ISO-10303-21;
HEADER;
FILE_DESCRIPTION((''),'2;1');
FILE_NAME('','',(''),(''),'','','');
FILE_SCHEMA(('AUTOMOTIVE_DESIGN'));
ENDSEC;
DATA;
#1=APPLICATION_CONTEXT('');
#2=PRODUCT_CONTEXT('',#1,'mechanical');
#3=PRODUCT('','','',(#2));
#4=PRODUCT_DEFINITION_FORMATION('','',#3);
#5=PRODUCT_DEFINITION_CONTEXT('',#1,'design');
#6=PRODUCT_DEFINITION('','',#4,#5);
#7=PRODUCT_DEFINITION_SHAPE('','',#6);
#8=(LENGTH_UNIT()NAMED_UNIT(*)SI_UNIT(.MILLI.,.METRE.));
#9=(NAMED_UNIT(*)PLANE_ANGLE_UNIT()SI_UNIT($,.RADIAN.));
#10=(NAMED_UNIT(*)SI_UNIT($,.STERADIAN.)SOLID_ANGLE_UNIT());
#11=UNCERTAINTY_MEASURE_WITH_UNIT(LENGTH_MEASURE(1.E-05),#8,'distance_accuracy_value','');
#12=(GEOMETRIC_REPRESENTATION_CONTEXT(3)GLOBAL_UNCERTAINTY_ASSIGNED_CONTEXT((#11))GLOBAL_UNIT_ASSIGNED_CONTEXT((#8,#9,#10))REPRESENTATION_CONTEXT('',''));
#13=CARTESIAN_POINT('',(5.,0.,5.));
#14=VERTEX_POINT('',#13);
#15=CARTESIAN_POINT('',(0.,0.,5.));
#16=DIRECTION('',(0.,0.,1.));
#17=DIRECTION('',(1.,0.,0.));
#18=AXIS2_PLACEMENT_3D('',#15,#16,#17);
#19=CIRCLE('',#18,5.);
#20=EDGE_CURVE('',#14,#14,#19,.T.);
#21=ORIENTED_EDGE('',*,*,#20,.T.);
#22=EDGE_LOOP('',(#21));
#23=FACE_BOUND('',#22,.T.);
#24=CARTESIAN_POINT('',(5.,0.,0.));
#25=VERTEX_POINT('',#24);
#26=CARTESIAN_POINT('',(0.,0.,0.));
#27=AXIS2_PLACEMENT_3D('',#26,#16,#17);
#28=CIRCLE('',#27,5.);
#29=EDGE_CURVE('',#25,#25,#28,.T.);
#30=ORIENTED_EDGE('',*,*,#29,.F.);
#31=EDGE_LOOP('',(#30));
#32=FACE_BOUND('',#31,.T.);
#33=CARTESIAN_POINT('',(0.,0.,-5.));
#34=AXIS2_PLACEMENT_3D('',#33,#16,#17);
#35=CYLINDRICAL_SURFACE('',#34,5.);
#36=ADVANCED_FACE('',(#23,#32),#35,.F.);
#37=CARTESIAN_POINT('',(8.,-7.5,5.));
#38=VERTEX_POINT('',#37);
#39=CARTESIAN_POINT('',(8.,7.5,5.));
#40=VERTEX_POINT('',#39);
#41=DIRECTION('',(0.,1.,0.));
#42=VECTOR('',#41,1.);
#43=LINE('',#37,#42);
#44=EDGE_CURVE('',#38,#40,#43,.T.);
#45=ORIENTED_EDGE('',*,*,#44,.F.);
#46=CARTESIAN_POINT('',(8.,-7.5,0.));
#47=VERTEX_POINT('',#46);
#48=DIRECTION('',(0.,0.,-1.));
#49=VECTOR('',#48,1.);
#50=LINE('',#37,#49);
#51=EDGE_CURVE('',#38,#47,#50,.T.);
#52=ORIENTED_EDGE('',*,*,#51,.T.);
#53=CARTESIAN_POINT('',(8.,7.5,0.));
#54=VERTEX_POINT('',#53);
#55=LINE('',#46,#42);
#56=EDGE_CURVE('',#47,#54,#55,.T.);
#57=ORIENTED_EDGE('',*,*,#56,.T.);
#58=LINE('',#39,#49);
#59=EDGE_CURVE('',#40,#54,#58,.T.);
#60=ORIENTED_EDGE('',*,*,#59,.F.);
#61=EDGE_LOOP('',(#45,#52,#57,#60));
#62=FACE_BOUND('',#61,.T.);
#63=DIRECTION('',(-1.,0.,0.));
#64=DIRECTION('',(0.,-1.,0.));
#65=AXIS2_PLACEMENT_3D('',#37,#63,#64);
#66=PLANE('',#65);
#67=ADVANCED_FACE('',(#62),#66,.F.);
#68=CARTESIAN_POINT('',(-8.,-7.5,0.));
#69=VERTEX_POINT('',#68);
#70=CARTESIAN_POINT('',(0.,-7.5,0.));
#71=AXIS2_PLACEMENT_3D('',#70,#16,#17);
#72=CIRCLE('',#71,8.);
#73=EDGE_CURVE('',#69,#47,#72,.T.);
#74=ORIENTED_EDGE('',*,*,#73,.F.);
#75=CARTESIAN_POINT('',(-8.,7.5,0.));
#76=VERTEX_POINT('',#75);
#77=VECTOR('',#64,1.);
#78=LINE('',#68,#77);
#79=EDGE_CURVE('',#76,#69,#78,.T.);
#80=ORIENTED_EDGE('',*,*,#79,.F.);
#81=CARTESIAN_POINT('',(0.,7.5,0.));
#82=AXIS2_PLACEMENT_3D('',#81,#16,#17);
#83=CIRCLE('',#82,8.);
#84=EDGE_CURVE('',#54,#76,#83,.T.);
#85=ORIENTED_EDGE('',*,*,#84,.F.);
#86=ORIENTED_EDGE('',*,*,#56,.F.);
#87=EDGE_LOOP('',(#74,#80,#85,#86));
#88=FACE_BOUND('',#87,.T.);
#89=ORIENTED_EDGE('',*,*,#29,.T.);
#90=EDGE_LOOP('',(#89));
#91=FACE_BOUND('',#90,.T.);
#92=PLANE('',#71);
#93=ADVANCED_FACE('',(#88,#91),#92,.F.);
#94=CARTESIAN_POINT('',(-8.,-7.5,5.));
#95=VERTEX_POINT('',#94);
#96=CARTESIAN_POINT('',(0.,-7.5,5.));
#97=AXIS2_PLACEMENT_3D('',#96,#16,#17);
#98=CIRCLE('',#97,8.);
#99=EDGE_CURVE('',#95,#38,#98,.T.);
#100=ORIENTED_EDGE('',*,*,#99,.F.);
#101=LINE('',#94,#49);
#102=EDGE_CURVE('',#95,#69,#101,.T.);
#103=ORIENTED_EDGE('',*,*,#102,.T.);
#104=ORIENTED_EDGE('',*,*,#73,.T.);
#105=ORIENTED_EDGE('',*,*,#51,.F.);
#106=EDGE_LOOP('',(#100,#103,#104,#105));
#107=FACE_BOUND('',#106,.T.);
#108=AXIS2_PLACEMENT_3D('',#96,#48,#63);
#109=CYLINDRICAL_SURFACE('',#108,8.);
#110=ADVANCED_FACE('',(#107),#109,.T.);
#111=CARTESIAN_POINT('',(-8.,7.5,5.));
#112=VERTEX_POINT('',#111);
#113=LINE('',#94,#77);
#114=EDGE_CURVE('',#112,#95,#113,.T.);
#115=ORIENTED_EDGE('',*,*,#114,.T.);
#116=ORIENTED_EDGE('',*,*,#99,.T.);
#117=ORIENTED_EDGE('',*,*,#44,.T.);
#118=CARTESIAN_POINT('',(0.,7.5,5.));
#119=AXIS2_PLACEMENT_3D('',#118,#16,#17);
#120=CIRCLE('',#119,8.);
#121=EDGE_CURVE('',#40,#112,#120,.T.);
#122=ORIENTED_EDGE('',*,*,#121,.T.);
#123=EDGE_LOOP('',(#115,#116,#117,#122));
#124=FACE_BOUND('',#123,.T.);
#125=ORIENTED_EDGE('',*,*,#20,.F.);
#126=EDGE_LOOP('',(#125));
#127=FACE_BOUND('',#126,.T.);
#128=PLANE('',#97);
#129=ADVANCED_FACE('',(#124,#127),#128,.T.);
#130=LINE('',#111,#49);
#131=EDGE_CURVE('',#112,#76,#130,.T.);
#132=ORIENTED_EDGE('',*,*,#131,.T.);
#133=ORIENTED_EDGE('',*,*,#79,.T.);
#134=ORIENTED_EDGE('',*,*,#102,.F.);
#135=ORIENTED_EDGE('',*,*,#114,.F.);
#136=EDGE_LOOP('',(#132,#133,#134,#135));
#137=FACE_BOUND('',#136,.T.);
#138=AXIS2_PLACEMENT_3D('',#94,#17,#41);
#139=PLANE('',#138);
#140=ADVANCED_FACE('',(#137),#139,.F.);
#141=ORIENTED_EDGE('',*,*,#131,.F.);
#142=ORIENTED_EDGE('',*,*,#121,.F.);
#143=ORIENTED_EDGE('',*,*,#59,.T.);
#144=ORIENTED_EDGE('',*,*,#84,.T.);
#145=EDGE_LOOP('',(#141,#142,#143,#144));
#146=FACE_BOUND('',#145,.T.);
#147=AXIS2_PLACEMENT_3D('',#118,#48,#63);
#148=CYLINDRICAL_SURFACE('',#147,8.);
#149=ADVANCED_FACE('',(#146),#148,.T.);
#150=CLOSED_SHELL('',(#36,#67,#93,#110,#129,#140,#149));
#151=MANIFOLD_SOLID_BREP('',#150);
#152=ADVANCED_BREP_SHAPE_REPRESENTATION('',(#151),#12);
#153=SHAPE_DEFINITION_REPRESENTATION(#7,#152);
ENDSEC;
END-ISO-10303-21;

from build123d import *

# Parameters (mm, degrees)
BOSS_EXTRU_1_DEPTH      = 5
ESQUISSE3_R             = 5
ENL_V_MAT_EXTRU_1_DEPTH = 10


with BuildPart() as part:
    # Esquisse2 → Boss.-Extru.1 (new body)
    with BuildSketch(Plane.XY):
        with BuildLine():
            Line((-8, -7.5), (-8, 7.5))
            ThreePointArc((-8, 7.5), (0, 15.5), (8, 7.5))
            Line((8, 7.5), (8, -7.5))
            ThreePointArc((8, -7.5), (0, -15.5), (-8, -7.5))
        make_face()
    extrude(amount=BOSS_EXTRU_1_DEPTH)

    # Esquisse3 → Enlèv. mat.-Extru.1 (cut)
    with BuildSketch(Plane.XY.offset(5)):
        Circle(ESQUISSE3_R)
    extrude(amount=-ENL_V_MAT_EXTRU_1_DEPTH, mode=Mode.SUBTRACT)


solid = part.part
